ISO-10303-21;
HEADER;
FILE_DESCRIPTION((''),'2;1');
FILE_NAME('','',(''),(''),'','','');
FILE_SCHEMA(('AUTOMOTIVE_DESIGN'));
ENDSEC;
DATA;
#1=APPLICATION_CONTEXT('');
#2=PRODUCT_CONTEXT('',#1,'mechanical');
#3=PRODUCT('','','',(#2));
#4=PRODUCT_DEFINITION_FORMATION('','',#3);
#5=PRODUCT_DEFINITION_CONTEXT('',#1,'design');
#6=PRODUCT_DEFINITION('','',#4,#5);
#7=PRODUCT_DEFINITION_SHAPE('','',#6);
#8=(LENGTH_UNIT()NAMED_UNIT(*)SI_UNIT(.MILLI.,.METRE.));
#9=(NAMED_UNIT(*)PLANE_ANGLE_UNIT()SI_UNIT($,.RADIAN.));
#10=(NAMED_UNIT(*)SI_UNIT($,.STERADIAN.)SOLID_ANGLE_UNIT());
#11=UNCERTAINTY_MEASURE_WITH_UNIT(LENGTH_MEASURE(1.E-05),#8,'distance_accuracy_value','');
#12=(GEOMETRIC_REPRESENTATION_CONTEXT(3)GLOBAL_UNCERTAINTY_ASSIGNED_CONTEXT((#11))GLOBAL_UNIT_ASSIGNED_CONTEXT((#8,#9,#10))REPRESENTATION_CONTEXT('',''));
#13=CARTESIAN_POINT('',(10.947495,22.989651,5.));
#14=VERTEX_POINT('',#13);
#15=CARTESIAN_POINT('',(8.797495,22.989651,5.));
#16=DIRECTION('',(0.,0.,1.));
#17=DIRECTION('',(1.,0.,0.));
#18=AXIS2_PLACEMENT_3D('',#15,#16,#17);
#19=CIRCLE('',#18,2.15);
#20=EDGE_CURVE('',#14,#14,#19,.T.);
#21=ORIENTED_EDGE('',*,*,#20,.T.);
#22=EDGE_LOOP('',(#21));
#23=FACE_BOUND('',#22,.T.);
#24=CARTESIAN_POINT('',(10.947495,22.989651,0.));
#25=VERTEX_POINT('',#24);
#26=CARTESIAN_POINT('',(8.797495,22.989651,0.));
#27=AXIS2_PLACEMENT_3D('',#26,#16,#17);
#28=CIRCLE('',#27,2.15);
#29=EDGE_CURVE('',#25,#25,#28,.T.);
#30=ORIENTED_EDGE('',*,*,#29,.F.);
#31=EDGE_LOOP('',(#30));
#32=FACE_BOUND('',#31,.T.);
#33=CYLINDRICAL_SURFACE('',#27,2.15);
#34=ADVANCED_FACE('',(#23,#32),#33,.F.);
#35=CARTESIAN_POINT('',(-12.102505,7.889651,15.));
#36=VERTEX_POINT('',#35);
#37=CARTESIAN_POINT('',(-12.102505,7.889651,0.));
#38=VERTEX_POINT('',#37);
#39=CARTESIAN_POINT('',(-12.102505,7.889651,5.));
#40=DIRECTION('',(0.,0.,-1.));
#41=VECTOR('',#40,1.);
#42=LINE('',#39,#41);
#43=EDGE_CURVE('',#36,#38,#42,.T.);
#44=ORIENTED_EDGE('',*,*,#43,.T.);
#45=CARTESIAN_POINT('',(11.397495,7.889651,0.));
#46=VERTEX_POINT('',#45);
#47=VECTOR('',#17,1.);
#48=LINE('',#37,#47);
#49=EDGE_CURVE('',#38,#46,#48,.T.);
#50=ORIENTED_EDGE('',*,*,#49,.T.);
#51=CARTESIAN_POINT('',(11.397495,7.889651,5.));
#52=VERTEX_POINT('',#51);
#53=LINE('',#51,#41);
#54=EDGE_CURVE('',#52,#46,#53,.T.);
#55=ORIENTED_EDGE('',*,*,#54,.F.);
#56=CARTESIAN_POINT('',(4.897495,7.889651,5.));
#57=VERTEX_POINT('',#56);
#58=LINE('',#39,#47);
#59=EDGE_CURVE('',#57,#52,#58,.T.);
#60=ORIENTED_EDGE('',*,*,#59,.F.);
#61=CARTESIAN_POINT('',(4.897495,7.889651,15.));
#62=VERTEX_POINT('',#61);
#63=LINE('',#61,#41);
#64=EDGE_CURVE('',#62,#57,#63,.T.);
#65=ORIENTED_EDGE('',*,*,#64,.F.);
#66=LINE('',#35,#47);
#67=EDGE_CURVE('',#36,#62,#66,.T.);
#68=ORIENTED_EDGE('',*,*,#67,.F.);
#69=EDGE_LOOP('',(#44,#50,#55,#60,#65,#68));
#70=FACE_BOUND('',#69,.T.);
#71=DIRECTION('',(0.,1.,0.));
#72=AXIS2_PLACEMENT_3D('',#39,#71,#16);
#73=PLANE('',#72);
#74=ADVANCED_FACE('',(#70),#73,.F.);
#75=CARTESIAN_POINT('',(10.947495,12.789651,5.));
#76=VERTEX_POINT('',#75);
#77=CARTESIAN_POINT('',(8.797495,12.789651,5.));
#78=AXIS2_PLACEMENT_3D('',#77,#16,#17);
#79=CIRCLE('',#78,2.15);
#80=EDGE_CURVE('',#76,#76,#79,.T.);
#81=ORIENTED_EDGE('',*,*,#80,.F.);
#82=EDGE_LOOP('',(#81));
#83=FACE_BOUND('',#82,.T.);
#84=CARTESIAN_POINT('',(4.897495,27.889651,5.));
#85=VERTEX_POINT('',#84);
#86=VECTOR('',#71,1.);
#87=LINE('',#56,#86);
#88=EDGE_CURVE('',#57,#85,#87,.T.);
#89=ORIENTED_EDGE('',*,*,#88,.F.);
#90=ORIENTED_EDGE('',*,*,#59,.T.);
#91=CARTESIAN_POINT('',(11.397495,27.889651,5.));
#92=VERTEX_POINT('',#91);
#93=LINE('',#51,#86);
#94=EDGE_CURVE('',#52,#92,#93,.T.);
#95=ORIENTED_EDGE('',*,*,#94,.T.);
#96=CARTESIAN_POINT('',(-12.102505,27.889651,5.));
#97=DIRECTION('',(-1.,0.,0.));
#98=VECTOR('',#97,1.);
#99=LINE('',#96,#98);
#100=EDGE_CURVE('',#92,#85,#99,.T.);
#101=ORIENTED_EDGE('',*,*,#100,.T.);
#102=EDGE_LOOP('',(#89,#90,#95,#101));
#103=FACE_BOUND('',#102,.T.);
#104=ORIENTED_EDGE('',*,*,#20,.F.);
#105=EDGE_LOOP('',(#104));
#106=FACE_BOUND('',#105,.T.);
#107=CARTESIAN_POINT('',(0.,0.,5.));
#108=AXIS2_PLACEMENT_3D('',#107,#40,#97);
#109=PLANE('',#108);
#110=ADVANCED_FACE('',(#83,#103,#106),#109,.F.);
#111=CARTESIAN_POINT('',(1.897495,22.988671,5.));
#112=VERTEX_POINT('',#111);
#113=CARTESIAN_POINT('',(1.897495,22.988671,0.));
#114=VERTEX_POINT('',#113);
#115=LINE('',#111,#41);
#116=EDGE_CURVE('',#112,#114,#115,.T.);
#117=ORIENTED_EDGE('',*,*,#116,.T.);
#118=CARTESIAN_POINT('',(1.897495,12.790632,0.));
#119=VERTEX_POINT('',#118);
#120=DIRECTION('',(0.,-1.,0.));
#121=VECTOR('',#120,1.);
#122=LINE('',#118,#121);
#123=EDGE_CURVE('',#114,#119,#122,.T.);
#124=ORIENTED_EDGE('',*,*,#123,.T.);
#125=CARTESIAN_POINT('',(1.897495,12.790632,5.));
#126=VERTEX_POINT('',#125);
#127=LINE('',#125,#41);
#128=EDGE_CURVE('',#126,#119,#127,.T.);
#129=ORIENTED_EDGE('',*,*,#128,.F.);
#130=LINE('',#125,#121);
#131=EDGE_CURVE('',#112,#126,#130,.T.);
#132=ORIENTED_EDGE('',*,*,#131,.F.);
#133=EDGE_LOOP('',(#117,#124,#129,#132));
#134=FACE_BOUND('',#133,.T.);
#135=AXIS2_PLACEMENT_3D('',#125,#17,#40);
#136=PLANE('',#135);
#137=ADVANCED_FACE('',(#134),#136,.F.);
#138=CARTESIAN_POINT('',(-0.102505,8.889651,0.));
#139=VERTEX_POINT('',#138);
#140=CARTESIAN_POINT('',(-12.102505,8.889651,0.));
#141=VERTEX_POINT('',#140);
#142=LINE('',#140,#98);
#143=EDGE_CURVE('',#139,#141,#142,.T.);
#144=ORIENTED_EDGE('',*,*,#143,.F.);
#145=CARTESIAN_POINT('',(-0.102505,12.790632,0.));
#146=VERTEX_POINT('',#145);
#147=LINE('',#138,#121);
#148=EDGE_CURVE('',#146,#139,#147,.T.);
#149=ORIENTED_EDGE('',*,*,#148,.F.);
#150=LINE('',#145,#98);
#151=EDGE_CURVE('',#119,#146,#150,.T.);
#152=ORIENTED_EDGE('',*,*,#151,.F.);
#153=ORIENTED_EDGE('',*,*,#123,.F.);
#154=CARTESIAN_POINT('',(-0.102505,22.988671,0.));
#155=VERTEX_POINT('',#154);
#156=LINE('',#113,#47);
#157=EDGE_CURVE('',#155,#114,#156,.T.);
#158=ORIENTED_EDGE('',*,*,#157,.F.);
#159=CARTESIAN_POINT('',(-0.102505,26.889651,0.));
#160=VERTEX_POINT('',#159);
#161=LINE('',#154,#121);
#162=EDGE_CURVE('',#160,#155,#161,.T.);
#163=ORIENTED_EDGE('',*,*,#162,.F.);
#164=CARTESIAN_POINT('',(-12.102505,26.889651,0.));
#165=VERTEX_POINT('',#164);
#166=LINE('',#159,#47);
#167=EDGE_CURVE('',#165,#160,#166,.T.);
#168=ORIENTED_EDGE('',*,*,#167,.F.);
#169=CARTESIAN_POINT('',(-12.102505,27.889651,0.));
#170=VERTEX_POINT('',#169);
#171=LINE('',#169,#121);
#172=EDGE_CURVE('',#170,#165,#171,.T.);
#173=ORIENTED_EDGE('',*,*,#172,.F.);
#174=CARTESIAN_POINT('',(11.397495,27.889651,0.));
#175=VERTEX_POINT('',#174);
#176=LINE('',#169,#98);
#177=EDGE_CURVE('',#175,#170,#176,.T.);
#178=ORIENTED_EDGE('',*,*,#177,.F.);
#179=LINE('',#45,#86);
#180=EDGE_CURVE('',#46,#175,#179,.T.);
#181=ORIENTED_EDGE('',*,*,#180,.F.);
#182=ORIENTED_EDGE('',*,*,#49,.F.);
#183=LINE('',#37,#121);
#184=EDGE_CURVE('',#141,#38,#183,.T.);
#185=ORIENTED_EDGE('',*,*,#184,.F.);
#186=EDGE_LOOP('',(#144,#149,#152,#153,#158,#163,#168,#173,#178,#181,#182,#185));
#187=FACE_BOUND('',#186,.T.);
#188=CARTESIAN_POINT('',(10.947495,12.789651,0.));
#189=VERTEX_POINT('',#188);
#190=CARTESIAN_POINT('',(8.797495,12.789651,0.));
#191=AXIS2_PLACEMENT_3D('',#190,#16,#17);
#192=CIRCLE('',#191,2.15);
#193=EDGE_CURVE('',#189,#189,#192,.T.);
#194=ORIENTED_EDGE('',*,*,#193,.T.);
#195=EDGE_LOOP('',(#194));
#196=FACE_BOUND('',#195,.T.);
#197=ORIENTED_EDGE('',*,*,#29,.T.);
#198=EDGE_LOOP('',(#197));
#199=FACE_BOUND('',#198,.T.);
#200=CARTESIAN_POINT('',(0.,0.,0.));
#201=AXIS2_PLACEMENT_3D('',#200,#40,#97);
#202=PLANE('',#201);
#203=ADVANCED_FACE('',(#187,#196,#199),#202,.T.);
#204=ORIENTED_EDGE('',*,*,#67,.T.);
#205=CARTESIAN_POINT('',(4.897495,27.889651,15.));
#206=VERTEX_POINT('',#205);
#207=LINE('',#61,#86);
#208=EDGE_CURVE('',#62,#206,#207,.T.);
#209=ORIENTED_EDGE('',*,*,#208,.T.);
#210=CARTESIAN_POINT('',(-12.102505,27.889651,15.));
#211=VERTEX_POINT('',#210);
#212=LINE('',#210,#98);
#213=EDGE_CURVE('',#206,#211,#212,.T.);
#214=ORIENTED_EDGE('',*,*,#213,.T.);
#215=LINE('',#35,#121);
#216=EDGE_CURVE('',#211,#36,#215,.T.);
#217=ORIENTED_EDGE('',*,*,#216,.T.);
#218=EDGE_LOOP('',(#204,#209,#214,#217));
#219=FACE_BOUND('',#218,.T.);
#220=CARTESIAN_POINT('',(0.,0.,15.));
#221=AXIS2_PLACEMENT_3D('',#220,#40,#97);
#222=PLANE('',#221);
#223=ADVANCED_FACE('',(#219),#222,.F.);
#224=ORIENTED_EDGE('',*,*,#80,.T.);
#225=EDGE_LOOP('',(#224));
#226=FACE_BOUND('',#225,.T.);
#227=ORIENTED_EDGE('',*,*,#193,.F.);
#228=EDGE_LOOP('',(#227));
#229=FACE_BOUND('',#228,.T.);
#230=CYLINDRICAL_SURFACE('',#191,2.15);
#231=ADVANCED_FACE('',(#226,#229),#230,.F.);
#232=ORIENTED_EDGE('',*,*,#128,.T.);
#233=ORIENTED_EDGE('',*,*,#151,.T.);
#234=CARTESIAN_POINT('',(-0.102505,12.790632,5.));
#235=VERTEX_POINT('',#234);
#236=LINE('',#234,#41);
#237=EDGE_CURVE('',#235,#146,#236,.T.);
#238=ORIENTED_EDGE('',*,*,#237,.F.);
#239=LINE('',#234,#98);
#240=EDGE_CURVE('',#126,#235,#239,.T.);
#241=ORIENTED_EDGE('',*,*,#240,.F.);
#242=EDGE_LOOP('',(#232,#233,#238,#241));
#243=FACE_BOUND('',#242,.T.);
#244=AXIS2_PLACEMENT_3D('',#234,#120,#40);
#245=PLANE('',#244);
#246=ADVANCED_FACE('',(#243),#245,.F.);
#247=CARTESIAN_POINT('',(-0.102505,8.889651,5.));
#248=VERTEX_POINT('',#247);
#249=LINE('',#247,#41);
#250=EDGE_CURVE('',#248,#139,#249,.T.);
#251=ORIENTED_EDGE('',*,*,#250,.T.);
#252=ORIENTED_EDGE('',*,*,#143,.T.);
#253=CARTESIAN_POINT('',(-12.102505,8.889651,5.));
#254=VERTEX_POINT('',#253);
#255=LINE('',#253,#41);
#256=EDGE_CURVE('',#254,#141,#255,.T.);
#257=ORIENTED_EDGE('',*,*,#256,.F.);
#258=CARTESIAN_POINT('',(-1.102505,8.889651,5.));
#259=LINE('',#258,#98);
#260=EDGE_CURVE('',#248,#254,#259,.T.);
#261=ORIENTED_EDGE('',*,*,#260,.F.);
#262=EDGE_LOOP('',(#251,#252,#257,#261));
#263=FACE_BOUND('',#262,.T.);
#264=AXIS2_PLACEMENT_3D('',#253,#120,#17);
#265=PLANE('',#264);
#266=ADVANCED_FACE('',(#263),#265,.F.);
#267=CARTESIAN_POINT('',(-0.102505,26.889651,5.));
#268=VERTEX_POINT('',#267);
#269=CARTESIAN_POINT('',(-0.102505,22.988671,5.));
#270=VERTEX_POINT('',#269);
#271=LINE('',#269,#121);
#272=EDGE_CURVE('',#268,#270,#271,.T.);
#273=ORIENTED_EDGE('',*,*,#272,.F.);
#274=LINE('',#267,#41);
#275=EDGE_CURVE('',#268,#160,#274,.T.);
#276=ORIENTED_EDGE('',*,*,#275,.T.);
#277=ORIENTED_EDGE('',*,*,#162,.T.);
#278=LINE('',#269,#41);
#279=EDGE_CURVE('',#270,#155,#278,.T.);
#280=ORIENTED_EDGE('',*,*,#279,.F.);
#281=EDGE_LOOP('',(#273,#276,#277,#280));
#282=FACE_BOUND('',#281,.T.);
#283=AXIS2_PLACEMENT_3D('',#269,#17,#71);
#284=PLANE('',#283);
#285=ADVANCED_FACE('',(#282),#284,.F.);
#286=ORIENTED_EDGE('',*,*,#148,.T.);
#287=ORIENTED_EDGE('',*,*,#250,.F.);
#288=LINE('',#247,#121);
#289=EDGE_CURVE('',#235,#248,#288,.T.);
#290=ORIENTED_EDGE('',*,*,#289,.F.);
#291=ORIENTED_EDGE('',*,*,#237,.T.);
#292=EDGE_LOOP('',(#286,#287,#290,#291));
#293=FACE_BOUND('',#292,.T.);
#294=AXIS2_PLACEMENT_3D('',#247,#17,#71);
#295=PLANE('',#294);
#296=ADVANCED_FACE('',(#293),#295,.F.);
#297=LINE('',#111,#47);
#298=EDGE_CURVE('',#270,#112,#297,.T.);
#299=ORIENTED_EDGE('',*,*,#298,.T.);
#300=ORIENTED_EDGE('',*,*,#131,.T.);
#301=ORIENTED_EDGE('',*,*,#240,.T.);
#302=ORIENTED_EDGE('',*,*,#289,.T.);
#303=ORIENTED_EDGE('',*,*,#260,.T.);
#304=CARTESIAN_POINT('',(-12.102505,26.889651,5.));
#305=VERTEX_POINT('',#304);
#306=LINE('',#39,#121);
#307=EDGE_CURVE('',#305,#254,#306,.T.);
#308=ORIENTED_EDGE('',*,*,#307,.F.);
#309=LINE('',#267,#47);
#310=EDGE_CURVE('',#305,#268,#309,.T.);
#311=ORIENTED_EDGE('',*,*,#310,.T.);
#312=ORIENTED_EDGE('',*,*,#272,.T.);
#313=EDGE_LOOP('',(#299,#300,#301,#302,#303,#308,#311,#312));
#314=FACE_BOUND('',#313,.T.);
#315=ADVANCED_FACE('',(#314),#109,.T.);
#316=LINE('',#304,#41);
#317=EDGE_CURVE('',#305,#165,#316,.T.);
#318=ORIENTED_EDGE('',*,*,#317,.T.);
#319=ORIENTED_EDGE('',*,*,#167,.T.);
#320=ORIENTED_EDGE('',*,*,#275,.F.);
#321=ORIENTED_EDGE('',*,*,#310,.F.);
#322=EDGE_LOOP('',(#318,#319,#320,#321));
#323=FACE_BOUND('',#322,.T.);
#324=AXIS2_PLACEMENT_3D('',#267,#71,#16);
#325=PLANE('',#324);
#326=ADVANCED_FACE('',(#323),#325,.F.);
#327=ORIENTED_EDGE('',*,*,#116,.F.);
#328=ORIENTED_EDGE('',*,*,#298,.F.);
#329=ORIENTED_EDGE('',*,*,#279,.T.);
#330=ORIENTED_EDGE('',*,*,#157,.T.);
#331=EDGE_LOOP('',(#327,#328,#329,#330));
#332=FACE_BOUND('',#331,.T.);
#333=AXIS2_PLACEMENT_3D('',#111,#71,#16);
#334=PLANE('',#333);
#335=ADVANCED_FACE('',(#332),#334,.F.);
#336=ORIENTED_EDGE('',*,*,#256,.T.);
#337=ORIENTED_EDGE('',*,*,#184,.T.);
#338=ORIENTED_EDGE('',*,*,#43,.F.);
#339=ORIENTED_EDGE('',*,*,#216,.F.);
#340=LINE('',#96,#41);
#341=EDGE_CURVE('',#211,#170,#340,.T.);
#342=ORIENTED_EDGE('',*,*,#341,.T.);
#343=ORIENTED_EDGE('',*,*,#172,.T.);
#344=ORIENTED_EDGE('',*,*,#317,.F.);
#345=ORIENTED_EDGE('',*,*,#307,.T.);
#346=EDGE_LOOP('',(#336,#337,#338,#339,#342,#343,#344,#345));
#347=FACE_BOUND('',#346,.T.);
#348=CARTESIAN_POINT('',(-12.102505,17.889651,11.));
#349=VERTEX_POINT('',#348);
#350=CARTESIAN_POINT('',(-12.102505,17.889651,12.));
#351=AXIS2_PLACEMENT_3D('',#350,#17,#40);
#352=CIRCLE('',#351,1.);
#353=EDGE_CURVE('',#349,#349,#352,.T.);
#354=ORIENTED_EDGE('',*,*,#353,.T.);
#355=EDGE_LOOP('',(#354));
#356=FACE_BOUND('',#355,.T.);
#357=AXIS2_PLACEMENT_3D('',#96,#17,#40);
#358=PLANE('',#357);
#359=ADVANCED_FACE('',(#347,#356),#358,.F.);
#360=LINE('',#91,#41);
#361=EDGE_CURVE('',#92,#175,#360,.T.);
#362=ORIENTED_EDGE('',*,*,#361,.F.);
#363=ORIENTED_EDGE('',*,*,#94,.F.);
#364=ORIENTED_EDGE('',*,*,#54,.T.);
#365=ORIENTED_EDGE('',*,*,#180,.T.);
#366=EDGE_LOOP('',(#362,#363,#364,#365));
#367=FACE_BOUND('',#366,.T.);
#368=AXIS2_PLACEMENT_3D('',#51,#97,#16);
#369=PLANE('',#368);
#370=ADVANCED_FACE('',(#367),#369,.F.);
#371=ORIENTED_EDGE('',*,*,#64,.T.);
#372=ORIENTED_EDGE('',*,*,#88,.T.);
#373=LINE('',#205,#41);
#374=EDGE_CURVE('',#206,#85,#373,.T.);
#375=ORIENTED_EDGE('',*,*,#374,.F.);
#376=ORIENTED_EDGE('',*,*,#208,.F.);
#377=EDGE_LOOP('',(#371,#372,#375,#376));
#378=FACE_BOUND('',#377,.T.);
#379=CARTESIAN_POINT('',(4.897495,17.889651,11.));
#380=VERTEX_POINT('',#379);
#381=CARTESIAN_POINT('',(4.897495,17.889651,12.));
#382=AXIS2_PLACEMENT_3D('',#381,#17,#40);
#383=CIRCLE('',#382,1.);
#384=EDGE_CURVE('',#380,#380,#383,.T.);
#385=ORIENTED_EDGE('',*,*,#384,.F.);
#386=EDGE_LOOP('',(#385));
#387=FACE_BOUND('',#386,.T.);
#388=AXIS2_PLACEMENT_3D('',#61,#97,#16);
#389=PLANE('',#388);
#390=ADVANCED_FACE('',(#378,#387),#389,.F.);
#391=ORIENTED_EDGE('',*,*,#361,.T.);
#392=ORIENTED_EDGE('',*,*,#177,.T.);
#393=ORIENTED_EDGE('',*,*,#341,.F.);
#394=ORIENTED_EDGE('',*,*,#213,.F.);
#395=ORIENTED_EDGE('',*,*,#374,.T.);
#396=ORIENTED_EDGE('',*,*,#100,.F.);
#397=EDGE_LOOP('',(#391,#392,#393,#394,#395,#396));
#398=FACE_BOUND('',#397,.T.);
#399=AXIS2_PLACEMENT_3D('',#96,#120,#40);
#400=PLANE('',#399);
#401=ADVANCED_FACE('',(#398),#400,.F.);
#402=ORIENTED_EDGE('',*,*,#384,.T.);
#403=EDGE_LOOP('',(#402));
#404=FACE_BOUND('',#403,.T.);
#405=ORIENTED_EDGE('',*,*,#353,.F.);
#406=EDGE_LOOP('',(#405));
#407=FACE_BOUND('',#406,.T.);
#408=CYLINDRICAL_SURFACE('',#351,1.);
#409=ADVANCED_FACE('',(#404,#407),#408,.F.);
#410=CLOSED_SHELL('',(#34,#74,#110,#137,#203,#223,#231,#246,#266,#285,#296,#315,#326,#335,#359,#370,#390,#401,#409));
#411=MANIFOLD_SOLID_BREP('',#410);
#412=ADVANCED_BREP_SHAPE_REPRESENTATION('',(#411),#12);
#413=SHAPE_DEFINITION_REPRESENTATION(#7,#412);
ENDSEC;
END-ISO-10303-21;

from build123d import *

# Parameters (mm, degrees)
BOSS_EXTRUDE1_DEPTH = 5
SKETCH2_W           = 17
SKETCH2_H           = 20
BOSS_EXTRUDE2_DEPTH = 10
SKETCH3_R           = 1
CUT_EXTRUDE1_DEPTH  = 18
SKETCH4_R           = 2.15
CUT_EXTRUDE2_DEPTH  = 6


with BuildPart() as part:
    # Sketch1 → Boss-Extrude1 (new body)
    with BuildSketch(Plane.XY):
        Polygon((-12.102505447, 7.889651416), (11.397494553, 7.889651416), (11.397494553, 27.889651416), (-12.102505447, 27.889651416), (-12.102505447, 26.889651416), (-0.102505447, 26.889651416), (-0.102505447, 22.98867093), (1.897494553, 22.98867093), (1.897494553, 12.790631903), (-0.102505447, 12.790631903), (-0.102505447, 8.889651416), (-1.102505447, 8.889651416), (-12.102505447, 8.889651416), align=None)
    extrude(amount=BOSS_EXTRUDE1_DEPTH)

    # Sketch2 → Boss-Extrude2 (add)
    with BuildSketch(Plane.XY.offset(5)):
        with Locations((-3.602505447, 17.889651416)):
            Rectangle(SKETCH2_W, SKETCH2_H)
    extrude(amount=BOSS_EXTRUDE2_DEPTH)

    # Sketch3 → Cut-Extrude1 (cut, through all)
    with BuildSketch(Plane(origin=(4.897494553, 0, 0), x_dir=(0, 0, -1), z_dir=(1, 0, 0))):
        with Locations((-12, 17.889651416)):
            Circle(SKETCH3_R)
    extrude(amount=-CUT_EXTRUDE1_DEPTH, mode=Mode.SUBTRACT)

    # Sketch4 → Cut-Extrude2 (cut, through all)
    with BuildSketch(Plane.XY.offset(5)):
        with Locations((8.797494553, 12.789651416)):
            Circle(SKETCH4_R)
        with Locations((8.797494553, 22.989651416)):
            Circle(SKETCH4_R)
    extrude(amount=-CUT_EXTRUDE2_DEPTH, mode=Mode.SUBTRACT)


solid = part.part
